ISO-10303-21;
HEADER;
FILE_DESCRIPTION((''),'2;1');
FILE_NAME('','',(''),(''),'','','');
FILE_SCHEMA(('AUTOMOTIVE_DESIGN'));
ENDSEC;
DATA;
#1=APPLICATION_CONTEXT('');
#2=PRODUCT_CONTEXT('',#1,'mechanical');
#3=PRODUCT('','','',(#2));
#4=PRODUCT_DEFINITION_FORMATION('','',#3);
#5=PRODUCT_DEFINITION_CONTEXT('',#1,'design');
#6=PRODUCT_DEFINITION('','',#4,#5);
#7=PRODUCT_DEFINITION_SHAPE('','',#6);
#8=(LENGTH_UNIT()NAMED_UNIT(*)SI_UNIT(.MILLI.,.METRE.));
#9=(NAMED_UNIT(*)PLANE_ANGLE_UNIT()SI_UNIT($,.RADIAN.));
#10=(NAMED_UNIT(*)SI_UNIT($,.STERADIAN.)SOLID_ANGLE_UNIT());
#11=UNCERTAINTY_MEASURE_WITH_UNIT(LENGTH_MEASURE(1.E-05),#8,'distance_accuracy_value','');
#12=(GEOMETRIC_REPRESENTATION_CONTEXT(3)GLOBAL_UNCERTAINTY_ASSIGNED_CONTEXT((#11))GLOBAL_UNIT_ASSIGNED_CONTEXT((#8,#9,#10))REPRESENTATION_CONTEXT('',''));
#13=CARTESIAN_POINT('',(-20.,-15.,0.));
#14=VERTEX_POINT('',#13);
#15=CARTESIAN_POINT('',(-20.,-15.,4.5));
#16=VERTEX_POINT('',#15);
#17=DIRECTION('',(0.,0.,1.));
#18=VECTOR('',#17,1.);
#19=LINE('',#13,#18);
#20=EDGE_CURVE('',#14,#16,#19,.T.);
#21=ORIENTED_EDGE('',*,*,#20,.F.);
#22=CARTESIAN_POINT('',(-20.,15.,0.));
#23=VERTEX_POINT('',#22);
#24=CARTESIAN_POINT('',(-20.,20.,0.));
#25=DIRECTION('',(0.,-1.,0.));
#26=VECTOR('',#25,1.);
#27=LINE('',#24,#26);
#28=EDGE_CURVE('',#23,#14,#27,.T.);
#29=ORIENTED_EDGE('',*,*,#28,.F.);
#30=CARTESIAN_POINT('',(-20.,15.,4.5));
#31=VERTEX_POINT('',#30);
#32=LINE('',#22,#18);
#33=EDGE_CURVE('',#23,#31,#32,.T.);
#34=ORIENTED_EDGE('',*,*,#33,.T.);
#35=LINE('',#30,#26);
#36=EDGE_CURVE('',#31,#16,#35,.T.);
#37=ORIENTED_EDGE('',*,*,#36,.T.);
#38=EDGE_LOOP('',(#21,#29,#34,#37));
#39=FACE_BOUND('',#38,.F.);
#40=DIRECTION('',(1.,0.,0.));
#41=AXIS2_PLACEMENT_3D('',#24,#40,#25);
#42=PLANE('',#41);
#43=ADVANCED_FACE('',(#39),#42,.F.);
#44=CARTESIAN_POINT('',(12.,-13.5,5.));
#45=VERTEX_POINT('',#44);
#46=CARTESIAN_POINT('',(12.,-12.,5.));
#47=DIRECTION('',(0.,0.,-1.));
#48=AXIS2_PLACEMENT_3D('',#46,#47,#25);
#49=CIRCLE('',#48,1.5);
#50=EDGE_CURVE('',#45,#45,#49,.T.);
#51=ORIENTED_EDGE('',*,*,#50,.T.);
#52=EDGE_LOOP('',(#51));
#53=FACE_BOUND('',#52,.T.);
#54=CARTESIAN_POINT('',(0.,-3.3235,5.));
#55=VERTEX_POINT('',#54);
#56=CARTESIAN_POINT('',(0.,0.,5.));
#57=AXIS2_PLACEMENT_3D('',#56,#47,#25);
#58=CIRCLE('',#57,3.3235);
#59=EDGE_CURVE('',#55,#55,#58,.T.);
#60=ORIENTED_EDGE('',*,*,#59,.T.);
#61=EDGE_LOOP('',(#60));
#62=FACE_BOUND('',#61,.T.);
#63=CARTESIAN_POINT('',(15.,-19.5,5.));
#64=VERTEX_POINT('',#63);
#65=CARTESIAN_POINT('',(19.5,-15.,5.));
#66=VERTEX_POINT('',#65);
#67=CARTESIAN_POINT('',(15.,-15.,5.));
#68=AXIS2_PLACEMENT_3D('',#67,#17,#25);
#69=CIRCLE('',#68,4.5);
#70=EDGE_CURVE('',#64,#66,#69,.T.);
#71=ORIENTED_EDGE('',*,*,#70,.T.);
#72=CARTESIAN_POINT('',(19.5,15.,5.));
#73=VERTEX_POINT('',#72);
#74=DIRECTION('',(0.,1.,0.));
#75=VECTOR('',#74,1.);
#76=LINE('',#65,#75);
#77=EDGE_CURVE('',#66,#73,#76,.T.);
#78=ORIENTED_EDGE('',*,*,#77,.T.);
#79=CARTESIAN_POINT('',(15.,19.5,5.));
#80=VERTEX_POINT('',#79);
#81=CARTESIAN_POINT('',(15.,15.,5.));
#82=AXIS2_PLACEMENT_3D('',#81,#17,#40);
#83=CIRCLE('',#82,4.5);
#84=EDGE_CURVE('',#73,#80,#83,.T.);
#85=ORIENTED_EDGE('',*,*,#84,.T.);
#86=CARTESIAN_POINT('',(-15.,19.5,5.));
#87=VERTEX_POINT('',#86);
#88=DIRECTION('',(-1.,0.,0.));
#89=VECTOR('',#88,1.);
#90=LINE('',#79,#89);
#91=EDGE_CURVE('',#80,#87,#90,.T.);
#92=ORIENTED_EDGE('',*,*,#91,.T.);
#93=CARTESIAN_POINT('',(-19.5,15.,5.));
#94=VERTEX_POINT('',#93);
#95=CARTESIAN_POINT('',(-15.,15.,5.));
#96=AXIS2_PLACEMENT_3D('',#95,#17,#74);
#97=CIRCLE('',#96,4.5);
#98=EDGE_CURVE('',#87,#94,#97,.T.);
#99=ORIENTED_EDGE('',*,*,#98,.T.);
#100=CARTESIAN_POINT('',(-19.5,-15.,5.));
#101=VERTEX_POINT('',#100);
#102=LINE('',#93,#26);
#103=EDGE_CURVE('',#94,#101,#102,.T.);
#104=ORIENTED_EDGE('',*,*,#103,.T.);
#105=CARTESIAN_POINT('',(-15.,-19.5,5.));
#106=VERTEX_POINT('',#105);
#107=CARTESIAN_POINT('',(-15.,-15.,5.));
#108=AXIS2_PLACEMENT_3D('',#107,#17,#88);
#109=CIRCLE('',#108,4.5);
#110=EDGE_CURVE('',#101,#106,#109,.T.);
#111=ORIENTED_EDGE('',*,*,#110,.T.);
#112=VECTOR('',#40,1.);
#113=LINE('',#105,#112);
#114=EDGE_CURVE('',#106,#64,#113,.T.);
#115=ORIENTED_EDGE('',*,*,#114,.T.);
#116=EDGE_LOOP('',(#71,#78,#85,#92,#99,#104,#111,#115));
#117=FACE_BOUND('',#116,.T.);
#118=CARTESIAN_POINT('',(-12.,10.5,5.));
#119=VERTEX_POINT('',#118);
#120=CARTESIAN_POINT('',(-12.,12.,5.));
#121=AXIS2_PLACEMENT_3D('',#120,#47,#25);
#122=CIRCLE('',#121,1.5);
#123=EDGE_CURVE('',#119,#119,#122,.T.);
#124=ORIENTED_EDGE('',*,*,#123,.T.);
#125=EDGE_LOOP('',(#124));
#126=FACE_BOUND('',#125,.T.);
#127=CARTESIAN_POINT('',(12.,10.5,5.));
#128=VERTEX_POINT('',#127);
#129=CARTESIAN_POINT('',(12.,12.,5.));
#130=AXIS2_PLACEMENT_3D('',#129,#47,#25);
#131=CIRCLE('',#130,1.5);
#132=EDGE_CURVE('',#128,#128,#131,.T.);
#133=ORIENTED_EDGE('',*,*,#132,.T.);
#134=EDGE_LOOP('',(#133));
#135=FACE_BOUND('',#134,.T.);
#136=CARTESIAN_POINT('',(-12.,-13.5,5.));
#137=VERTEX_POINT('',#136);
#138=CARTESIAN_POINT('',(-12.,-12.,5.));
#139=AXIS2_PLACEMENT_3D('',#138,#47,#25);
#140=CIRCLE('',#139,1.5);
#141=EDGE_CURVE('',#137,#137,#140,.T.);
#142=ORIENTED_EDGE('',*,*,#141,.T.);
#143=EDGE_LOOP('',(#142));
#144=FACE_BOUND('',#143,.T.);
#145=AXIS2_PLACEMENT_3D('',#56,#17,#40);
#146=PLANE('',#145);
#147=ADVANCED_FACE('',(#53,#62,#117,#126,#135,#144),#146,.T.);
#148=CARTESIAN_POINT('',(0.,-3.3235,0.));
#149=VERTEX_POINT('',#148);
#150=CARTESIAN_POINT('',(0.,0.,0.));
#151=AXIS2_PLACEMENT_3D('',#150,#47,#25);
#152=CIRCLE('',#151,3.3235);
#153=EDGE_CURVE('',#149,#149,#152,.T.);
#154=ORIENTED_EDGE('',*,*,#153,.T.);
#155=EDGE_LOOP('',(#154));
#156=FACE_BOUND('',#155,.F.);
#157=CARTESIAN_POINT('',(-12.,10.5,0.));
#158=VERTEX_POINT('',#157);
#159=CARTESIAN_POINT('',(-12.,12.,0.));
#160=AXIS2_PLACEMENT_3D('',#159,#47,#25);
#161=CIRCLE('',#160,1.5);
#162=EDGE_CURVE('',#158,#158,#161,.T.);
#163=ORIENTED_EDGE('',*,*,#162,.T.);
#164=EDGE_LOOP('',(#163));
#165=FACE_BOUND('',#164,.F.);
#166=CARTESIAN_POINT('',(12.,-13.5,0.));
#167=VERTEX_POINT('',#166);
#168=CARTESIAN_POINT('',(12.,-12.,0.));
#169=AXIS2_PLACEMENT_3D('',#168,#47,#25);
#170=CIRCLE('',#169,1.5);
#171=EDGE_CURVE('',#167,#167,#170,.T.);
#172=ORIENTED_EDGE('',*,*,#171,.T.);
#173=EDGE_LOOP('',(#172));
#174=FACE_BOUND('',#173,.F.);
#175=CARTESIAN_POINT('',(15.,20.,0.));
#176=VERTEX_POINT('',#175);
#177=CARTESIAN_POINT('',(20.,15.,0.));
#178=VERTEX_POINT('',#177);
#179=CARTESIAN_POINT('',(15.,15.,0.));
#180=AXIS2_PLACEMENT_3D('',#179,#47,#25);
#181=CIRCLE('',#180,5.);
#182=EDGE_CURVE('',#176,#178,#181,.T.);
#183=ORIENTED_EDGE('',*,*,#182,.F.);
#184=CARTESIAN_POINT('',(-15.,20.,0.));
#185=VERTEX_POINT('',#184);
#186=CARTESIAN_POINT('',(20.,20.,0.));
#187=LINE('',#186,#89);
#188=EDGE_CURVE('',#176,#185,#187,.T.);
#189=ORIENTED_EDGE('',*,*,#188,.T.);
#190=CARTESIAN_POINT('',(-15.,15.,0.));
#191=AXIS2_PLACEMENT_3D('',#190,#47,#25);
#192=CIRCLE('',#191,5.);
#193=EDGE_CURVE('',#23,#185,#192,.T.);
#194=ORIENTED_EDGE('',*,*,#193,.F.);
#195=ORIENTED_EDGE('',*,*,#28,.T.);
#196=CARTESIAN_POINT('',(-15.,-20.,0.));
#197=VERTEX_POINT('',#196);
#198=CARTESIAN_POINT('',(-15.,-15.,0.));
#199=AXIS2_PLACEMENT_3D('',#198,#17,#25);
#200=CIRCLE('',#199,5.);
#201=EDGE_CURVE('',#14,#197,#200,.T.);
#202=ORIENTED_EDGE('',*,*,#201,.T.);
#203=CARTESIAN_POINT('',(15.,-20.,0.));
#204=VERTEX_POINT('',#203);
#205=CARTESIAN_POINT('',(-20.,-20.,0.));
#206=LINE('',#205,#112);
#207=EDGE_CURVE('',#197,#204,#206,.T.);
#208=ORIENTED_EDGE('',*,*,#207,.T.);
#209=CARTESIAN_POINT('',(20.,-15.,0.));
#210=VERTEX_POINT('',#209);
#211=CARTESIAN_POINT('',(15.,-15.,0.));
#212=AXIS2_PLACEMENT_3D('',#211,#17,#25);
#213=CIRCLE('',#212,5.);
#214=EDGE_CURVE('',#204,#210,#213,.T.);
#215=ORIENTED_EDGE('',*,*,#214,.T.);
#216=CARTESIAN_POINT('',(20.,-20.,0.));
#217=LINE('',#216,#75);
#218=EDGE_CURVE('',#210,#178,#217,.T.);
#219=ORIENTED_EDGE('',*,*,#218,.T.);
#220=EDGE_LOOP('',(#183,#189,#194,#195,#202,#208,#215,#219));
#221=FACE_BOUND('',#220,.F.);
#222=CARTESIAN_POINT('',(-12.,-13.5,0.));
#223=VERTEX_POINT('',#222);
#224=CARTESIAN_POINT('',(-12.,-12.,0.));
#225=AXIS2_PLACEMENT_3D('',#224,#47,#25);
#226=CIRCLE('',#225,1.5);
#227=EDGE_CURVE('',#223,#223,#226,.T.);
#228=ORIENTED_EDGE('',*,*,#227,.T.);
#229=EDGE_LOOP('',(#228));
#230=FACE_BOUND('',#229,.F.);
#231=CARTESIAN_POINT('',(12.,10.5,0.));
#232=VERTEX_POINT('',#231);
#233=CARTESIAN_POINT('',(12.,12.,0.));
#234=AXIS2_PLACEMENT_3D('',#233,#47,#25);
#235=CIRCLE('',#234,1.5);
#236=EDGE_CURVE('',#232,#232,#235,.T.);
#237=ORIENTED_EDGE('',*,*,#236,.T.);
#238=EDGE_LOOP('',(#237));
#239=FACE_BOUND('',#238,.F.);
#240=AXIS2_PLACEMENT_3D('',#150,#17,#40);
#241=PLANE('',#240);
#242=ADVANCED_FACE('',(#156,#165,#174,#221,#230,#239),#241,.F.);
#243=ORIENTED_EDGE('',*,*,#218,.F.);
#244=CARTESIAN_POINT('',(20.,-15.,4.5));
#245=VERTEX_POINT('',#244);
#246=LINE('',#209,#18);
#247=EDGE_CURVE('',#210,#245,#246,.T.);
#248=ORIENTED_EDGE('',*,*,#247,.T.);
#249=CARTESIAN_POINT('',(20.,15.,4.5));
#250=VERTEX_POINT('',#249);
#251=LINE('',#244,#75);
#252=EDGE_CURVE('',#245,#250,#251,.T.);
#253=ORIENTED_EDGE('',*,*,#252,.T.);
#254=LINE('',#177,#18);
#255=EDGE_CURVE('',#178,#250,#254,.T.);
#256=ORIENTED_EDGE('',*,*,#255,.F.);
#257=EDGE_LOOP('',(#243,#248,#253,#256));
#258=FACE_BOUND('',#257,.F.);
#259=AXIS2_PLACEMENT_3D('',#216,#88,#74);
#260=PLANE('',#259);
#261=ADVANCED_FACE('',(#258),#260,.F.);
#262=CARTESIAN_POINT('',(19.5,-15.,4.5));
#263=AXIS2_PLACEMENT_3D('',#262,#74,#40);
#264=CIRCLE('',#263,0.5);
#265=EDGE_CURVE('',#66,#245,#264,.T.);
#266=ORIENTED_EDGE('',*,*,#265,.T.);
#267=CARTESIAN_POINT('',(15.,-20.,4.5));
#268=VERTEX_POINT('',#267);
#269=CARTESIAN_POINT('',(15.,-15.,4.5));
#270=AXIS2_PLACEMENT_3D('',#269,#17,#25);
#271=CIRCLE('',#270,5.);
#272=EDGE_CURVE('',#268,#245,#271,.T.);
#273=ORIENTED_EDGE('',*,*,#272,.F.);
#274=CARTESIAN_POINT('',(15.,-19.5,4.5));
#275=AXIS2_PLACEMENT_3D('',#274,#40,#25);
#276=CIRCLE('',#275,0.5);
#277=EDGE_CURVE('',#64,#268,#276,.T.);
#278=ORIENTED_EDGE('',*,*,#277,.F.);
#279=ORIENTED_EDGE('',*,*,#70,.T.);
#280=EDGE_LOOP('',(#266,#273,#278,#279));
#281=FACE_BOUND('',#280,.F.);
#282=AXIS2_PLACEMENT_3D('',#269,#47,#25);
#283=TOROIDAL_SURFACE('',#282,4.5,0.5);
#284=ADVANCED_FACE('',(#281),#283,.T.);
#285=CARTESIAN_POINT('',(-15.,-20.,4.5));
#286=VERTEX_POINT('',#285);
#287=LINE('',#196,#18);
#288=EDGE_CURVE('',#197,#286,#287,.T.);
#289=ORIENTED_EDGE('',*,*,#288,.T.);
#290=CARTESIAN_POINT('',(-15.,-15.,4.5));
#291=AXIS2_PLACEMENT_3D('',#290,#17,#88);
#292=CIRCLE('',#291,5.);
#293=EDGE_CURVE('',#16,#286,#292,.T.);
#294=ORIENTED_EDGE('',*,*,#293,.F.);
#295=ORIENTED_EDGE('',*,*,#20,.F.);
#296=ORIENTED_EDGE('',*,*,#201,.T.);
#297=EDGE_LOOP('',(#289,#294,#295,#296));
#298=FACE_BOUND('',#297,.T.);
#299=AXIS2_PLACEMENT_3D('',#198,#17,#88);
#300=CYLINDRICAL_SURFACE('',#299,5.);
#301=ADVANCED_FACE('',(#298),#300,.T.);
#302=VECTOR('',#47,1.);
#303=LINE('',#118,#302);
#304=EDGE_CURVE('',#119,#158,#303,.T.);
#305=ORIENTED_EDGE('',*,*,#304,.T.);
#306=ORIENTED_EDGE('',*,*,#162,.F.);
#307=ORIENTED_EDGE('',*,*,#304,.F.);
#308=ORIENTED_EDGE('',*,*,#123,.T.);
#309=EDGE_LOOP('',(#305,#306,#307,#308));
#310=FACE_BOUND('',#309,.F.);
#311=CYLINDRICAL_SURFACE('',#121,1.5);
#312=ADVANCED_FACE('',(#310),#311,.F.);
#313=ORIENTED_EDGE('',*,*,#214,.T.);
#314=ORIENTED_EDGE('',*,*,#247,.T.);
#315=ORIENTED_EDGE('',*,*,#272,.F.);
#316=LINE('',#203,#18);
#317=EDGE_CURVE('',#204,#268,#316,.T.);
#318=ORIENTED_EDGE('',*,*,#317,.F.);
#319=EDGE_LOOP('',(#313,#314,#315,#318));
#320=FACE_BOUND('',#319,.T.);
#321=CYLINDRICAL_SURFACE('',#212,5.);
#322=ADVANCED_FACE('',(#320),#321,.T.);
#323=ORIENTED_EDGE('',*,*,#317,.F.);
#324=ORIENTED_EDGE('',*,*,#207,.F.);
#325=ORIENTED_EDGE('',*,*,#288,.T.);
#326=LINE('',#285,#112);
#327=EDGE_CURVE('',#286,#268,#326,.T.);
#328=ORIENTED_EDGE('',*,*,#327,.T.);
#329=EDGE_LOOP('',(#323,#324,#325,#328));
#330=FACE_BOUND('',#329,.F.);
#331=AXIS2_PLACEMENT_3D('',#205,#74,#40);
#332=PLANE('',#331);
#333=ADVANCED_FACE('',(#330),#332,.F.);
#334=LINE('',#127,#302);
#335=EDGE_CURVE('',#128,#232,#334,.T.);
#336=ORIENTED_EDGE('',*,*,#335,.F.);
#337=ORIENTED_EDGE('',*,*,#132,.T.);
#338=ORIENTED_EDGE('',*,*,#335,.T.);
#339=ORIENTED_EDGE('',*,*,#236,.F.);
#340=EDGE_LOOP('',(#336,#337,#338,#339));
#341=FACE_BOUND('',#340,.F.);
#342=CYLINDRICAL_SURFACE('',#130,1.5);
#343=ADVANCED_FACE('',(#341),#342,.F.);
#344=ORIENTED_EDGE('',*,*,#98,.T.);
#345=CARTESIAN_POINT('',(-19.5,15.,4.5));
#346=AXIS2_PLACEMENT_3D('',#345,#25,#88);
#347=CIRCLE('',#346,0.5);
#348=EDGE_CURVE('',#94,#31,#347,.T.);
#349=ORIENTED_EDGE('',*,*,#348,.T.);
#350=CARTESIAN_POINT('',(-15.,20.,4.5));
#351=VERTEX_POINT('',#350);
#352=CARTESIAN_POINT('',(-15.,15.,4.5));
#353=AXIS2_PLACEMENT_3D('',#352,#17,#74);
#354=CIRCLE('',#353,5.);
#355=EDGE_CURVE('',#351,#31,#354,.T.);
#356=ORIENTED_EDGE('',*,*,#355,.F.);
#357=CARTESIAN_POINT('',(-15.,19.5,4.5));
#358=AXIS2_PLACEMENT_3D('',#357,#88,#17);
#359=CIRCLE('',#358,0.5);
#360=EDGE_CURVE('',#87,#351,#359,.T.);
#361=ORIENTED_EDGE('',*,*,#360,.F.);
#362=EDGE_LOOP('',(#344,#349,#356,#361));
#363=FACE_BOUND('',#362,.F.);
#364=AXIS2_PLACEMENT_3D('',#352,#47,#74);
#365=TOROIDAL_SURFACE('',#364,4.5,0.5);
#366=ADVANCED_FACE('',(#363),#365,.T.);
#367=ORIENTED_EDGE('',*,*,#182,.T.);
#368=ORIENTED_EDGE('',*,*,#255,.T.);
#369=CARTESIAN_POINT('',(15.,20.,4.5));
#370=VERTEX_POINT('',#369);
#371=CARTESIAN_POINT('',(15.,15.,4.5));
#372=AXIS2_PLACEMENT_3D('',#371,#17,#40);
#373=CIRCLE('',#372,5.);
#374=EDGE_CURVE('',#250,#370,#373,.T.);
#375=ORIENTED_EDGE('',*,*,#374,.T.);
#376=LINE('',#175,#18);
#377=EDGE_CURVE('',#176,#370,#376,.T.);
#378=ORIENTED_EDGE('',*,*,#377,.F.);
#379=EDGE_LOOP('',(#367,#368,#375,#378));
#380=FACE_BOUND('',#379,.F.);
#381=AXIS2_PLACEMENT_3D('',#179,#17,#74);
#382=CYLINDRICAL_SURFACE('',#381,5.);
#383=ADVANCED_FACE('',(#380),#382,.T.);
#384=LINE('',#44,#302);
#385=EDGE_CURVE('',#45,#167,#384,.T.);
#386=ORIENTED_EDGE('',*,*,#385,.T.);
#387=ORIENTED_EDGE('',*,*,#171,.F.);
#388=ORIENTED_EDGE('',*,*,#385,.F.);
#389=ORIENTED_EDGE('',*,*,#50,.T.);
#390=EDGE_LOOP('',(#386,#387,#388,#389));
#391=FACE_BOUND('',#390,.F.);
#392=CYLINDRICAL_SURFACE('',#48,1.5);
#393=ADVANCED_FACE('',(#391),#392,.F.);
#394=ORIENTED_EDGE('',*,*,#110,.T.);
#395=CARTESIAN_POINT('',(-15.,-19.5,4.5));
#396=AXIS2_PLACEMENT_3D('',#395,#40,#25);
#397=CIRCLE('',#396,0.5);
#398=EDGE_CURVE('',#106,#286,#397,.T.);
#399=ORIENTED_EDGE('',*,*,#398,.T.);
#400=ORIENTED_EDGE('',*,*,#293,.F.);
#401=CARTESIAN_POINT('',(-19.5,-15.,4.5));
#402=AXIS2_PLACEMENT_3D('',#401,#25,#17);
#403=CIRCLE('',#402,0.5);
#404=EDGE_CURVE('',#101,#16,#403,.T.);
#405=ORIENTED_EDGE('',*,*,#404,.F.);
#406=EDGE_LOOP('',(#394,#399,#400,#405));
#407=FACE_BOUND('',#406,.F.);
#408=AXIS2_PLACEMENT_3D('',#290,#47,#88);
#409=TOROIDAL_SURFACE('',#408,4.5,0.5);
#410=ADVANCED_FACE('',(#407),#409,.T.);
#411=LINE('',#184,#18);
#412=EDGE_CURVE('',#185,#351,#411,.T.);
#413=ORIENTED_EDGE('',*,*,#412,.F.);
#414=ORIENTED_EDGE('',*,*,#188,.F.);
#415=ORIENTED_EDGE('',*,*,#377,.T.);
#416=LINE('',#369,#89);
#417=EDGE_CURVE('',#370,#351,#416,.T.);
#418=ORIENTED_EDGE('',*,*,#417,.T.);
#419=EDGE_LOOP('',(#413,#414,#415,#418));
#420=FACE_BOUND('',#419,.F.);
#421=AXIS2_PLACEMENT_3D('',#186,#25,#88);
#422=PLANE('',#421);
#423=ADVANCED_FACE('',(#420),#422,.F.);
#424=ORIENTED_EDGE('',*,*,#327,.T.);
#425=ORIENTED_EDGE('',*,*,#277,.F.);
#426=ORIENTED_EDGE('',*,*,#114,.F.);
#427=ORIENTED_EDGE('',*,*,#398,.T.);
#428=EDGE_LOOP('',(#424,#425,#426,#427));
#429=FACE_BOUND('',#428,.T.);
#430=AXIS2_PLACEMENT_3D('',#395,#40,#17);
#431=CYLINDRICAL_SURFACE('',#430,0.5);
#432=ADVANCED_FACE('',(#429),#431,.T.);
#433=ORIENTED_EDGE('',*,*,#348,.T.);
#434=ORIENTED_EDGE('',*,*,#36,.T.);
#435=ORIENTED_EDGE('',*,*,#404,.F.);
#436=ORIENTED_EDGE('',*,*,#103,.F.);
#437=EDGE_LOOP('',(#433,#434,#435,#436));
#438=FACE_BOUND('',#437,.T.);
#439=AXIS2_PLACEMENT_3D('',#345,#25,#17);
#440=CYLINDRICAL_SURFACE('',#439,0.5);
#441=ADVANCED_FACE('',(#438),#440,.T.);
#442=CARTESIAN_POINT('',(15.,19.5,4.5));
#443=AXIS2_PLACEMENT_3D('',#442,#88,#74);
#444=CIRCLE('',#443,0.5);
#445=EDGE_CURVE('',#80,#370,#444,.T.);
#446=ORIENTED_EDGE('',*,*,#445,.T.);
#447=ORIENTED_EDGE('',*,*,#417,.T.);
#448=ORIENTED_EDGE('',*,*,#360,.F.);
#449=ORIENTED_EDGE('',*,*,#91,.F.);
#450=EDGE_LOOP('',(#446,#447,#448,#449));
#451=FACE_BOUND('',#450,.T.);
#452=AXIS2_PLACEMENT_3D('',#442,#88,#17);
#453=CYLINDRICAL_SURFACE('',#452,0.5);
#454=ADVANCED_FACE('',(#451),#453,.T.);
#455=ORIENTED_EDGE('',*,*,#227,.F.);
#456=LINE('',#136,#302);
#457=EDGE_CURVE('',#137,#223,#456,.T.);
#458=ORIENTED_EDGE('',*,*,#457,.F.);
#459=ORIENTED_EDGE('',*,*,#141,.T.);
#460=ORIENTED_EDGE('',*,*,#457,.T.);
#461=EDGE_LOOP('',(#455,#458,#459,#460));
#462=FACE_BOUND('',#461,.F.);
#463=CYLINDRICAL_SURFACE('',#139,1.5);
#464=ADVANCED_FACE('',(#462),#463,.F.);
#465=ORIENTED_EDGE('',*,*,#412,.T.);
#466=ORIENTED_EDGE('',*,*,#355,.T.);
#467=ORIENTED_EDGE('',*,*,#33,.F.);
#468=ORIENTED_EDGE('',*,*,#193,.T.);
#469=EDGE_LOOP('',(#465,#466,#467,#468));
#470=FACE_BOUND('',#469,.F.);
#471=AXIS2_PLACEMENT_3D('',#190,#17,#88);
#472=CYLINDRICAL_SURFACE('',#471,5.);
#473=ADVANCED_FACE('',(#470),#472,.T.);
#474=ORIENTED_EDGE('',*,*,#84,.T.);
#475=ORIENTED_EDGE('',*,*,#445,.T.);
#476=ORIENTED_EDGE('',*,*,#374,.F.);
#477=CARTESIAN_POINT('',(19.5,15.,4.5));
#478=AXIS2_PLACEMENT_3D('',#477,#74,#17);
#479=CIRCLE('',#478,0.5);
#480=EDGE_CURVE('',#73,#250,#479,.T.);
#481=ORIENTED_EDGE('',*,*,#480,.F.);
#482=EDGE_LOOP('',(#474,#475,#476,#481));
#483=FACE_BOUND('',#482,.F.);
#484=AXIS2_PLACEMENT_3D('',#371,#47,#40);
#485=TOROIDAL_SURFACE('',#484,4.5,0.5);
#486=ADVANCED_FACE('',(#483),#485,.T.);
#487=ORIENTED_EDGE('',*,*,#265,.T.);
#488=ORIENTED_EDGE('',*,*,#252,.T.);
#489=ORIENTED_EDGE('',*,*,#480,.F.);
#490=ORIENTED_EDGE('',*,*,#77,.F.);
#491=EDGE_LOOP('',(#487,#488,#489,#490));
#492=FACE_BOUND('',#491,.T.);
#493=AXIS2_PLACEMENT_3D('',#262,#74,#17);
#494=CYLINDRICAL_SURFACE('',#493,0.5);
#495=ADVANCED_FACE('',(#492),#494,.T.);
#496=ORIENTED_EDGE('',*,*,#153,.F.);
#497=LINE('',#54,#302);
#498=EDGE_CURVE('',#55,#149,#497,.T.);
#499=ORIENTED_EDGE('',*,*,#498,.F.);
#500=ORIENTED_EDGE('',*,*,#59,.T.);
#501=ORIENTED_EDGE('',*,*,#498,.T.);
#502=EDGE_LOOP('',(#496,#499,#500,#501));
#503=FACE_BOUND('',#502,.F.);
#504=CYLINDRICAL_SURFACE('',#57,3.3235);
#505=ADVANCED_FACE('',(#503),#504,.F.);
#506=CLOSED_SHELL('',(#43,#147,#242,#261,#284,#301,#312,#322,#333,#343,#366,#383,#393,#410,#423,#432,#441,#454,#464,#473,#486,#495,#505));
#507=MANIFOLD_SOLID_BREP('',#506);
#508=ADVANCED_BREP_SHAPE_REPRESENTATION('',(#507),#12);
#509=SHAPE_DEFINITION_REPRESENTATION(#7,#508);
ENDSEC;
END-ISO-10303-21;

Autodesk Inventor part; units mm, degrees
ref_plane "YZ Plane" through (0, 0, 0) normal (1, 0, 0) x (0, 1, 0)
ref_plane "XZ Plane" through (0, 0, 0) normal (0, 1, 0) x (-1, 0, 0)
ref_plane "XY Plane" through (0, 0, 0) normal (0, 0, 1) x (1, 0, 0)
sketch "Sketch1" plane through (0, 0, 0) normal (0, 0, 1) x (1, 0, 0)
  line L0 (-20, -20) -> (20, -20)
  line L1 (20, -20) -> (20, 20)
  line L2 (20, 20) -> (-20, 20)
  line L3 (-20, 20) -> (-20, -20)
  line L4 (-20, -20) -> (20, 20) construction
  line L5 (20, -20) -> (-20, 20) construction
  point P0 (0, 0)
  dimension "d0" = 40
  dimension "d1" = 40
extrude "Extrusion1" add sketch "Sketch1" along normal blind 5
sketch "Sketch2" plane through (0, 0, 5) normal (0, 0, 1) x (1, 0, 0)
  point P0 (0, 0)
  point P1 (-12, 12)
  point P2 (12, 12)
  point P3 (12, -12)
  point P4 (-12, -12)
  point P5 (0, 0)
  dimension "d4" = 24
  dimension "d5" = 12
  dimension "d6" = 24
  dimension "d7" = 12
hole "Hole1" at (-12, 12, 5) at (12, 12, 5) at (12, -12, 5) at (-12, -12, 5) direction (0, 0, -1) diameter 3 depth 5
hole "Hole2" at (0, 0, 5) direction (0, 0, -1) diameter 6.647 depth 5 thread size "M8x1.25" class "6H" standard "ISO Metric profile"
fillet "Fillet1" radius 5 4 edges at (20, 20, 2.5) (20, -20, 2.5) (-20, -20, 2.5) (-20, 20, 2.5)
fillet "Fillet2" radius 0.5 8 edges at (18.5355, -18.5355, 5) (20, 0, 5) (18.5355, 18.5355, 5) (0, 20, 5) (-18.5355, 18.5355, 5) (-20, 0, 5) (-18.5355, -18.5355, 5) (0, -20, 5)
equation "\"d5\" = 0.5 * d4"
equation "\"d7\" = 0.5 * d6"
properties part number "27" material "Gold"
